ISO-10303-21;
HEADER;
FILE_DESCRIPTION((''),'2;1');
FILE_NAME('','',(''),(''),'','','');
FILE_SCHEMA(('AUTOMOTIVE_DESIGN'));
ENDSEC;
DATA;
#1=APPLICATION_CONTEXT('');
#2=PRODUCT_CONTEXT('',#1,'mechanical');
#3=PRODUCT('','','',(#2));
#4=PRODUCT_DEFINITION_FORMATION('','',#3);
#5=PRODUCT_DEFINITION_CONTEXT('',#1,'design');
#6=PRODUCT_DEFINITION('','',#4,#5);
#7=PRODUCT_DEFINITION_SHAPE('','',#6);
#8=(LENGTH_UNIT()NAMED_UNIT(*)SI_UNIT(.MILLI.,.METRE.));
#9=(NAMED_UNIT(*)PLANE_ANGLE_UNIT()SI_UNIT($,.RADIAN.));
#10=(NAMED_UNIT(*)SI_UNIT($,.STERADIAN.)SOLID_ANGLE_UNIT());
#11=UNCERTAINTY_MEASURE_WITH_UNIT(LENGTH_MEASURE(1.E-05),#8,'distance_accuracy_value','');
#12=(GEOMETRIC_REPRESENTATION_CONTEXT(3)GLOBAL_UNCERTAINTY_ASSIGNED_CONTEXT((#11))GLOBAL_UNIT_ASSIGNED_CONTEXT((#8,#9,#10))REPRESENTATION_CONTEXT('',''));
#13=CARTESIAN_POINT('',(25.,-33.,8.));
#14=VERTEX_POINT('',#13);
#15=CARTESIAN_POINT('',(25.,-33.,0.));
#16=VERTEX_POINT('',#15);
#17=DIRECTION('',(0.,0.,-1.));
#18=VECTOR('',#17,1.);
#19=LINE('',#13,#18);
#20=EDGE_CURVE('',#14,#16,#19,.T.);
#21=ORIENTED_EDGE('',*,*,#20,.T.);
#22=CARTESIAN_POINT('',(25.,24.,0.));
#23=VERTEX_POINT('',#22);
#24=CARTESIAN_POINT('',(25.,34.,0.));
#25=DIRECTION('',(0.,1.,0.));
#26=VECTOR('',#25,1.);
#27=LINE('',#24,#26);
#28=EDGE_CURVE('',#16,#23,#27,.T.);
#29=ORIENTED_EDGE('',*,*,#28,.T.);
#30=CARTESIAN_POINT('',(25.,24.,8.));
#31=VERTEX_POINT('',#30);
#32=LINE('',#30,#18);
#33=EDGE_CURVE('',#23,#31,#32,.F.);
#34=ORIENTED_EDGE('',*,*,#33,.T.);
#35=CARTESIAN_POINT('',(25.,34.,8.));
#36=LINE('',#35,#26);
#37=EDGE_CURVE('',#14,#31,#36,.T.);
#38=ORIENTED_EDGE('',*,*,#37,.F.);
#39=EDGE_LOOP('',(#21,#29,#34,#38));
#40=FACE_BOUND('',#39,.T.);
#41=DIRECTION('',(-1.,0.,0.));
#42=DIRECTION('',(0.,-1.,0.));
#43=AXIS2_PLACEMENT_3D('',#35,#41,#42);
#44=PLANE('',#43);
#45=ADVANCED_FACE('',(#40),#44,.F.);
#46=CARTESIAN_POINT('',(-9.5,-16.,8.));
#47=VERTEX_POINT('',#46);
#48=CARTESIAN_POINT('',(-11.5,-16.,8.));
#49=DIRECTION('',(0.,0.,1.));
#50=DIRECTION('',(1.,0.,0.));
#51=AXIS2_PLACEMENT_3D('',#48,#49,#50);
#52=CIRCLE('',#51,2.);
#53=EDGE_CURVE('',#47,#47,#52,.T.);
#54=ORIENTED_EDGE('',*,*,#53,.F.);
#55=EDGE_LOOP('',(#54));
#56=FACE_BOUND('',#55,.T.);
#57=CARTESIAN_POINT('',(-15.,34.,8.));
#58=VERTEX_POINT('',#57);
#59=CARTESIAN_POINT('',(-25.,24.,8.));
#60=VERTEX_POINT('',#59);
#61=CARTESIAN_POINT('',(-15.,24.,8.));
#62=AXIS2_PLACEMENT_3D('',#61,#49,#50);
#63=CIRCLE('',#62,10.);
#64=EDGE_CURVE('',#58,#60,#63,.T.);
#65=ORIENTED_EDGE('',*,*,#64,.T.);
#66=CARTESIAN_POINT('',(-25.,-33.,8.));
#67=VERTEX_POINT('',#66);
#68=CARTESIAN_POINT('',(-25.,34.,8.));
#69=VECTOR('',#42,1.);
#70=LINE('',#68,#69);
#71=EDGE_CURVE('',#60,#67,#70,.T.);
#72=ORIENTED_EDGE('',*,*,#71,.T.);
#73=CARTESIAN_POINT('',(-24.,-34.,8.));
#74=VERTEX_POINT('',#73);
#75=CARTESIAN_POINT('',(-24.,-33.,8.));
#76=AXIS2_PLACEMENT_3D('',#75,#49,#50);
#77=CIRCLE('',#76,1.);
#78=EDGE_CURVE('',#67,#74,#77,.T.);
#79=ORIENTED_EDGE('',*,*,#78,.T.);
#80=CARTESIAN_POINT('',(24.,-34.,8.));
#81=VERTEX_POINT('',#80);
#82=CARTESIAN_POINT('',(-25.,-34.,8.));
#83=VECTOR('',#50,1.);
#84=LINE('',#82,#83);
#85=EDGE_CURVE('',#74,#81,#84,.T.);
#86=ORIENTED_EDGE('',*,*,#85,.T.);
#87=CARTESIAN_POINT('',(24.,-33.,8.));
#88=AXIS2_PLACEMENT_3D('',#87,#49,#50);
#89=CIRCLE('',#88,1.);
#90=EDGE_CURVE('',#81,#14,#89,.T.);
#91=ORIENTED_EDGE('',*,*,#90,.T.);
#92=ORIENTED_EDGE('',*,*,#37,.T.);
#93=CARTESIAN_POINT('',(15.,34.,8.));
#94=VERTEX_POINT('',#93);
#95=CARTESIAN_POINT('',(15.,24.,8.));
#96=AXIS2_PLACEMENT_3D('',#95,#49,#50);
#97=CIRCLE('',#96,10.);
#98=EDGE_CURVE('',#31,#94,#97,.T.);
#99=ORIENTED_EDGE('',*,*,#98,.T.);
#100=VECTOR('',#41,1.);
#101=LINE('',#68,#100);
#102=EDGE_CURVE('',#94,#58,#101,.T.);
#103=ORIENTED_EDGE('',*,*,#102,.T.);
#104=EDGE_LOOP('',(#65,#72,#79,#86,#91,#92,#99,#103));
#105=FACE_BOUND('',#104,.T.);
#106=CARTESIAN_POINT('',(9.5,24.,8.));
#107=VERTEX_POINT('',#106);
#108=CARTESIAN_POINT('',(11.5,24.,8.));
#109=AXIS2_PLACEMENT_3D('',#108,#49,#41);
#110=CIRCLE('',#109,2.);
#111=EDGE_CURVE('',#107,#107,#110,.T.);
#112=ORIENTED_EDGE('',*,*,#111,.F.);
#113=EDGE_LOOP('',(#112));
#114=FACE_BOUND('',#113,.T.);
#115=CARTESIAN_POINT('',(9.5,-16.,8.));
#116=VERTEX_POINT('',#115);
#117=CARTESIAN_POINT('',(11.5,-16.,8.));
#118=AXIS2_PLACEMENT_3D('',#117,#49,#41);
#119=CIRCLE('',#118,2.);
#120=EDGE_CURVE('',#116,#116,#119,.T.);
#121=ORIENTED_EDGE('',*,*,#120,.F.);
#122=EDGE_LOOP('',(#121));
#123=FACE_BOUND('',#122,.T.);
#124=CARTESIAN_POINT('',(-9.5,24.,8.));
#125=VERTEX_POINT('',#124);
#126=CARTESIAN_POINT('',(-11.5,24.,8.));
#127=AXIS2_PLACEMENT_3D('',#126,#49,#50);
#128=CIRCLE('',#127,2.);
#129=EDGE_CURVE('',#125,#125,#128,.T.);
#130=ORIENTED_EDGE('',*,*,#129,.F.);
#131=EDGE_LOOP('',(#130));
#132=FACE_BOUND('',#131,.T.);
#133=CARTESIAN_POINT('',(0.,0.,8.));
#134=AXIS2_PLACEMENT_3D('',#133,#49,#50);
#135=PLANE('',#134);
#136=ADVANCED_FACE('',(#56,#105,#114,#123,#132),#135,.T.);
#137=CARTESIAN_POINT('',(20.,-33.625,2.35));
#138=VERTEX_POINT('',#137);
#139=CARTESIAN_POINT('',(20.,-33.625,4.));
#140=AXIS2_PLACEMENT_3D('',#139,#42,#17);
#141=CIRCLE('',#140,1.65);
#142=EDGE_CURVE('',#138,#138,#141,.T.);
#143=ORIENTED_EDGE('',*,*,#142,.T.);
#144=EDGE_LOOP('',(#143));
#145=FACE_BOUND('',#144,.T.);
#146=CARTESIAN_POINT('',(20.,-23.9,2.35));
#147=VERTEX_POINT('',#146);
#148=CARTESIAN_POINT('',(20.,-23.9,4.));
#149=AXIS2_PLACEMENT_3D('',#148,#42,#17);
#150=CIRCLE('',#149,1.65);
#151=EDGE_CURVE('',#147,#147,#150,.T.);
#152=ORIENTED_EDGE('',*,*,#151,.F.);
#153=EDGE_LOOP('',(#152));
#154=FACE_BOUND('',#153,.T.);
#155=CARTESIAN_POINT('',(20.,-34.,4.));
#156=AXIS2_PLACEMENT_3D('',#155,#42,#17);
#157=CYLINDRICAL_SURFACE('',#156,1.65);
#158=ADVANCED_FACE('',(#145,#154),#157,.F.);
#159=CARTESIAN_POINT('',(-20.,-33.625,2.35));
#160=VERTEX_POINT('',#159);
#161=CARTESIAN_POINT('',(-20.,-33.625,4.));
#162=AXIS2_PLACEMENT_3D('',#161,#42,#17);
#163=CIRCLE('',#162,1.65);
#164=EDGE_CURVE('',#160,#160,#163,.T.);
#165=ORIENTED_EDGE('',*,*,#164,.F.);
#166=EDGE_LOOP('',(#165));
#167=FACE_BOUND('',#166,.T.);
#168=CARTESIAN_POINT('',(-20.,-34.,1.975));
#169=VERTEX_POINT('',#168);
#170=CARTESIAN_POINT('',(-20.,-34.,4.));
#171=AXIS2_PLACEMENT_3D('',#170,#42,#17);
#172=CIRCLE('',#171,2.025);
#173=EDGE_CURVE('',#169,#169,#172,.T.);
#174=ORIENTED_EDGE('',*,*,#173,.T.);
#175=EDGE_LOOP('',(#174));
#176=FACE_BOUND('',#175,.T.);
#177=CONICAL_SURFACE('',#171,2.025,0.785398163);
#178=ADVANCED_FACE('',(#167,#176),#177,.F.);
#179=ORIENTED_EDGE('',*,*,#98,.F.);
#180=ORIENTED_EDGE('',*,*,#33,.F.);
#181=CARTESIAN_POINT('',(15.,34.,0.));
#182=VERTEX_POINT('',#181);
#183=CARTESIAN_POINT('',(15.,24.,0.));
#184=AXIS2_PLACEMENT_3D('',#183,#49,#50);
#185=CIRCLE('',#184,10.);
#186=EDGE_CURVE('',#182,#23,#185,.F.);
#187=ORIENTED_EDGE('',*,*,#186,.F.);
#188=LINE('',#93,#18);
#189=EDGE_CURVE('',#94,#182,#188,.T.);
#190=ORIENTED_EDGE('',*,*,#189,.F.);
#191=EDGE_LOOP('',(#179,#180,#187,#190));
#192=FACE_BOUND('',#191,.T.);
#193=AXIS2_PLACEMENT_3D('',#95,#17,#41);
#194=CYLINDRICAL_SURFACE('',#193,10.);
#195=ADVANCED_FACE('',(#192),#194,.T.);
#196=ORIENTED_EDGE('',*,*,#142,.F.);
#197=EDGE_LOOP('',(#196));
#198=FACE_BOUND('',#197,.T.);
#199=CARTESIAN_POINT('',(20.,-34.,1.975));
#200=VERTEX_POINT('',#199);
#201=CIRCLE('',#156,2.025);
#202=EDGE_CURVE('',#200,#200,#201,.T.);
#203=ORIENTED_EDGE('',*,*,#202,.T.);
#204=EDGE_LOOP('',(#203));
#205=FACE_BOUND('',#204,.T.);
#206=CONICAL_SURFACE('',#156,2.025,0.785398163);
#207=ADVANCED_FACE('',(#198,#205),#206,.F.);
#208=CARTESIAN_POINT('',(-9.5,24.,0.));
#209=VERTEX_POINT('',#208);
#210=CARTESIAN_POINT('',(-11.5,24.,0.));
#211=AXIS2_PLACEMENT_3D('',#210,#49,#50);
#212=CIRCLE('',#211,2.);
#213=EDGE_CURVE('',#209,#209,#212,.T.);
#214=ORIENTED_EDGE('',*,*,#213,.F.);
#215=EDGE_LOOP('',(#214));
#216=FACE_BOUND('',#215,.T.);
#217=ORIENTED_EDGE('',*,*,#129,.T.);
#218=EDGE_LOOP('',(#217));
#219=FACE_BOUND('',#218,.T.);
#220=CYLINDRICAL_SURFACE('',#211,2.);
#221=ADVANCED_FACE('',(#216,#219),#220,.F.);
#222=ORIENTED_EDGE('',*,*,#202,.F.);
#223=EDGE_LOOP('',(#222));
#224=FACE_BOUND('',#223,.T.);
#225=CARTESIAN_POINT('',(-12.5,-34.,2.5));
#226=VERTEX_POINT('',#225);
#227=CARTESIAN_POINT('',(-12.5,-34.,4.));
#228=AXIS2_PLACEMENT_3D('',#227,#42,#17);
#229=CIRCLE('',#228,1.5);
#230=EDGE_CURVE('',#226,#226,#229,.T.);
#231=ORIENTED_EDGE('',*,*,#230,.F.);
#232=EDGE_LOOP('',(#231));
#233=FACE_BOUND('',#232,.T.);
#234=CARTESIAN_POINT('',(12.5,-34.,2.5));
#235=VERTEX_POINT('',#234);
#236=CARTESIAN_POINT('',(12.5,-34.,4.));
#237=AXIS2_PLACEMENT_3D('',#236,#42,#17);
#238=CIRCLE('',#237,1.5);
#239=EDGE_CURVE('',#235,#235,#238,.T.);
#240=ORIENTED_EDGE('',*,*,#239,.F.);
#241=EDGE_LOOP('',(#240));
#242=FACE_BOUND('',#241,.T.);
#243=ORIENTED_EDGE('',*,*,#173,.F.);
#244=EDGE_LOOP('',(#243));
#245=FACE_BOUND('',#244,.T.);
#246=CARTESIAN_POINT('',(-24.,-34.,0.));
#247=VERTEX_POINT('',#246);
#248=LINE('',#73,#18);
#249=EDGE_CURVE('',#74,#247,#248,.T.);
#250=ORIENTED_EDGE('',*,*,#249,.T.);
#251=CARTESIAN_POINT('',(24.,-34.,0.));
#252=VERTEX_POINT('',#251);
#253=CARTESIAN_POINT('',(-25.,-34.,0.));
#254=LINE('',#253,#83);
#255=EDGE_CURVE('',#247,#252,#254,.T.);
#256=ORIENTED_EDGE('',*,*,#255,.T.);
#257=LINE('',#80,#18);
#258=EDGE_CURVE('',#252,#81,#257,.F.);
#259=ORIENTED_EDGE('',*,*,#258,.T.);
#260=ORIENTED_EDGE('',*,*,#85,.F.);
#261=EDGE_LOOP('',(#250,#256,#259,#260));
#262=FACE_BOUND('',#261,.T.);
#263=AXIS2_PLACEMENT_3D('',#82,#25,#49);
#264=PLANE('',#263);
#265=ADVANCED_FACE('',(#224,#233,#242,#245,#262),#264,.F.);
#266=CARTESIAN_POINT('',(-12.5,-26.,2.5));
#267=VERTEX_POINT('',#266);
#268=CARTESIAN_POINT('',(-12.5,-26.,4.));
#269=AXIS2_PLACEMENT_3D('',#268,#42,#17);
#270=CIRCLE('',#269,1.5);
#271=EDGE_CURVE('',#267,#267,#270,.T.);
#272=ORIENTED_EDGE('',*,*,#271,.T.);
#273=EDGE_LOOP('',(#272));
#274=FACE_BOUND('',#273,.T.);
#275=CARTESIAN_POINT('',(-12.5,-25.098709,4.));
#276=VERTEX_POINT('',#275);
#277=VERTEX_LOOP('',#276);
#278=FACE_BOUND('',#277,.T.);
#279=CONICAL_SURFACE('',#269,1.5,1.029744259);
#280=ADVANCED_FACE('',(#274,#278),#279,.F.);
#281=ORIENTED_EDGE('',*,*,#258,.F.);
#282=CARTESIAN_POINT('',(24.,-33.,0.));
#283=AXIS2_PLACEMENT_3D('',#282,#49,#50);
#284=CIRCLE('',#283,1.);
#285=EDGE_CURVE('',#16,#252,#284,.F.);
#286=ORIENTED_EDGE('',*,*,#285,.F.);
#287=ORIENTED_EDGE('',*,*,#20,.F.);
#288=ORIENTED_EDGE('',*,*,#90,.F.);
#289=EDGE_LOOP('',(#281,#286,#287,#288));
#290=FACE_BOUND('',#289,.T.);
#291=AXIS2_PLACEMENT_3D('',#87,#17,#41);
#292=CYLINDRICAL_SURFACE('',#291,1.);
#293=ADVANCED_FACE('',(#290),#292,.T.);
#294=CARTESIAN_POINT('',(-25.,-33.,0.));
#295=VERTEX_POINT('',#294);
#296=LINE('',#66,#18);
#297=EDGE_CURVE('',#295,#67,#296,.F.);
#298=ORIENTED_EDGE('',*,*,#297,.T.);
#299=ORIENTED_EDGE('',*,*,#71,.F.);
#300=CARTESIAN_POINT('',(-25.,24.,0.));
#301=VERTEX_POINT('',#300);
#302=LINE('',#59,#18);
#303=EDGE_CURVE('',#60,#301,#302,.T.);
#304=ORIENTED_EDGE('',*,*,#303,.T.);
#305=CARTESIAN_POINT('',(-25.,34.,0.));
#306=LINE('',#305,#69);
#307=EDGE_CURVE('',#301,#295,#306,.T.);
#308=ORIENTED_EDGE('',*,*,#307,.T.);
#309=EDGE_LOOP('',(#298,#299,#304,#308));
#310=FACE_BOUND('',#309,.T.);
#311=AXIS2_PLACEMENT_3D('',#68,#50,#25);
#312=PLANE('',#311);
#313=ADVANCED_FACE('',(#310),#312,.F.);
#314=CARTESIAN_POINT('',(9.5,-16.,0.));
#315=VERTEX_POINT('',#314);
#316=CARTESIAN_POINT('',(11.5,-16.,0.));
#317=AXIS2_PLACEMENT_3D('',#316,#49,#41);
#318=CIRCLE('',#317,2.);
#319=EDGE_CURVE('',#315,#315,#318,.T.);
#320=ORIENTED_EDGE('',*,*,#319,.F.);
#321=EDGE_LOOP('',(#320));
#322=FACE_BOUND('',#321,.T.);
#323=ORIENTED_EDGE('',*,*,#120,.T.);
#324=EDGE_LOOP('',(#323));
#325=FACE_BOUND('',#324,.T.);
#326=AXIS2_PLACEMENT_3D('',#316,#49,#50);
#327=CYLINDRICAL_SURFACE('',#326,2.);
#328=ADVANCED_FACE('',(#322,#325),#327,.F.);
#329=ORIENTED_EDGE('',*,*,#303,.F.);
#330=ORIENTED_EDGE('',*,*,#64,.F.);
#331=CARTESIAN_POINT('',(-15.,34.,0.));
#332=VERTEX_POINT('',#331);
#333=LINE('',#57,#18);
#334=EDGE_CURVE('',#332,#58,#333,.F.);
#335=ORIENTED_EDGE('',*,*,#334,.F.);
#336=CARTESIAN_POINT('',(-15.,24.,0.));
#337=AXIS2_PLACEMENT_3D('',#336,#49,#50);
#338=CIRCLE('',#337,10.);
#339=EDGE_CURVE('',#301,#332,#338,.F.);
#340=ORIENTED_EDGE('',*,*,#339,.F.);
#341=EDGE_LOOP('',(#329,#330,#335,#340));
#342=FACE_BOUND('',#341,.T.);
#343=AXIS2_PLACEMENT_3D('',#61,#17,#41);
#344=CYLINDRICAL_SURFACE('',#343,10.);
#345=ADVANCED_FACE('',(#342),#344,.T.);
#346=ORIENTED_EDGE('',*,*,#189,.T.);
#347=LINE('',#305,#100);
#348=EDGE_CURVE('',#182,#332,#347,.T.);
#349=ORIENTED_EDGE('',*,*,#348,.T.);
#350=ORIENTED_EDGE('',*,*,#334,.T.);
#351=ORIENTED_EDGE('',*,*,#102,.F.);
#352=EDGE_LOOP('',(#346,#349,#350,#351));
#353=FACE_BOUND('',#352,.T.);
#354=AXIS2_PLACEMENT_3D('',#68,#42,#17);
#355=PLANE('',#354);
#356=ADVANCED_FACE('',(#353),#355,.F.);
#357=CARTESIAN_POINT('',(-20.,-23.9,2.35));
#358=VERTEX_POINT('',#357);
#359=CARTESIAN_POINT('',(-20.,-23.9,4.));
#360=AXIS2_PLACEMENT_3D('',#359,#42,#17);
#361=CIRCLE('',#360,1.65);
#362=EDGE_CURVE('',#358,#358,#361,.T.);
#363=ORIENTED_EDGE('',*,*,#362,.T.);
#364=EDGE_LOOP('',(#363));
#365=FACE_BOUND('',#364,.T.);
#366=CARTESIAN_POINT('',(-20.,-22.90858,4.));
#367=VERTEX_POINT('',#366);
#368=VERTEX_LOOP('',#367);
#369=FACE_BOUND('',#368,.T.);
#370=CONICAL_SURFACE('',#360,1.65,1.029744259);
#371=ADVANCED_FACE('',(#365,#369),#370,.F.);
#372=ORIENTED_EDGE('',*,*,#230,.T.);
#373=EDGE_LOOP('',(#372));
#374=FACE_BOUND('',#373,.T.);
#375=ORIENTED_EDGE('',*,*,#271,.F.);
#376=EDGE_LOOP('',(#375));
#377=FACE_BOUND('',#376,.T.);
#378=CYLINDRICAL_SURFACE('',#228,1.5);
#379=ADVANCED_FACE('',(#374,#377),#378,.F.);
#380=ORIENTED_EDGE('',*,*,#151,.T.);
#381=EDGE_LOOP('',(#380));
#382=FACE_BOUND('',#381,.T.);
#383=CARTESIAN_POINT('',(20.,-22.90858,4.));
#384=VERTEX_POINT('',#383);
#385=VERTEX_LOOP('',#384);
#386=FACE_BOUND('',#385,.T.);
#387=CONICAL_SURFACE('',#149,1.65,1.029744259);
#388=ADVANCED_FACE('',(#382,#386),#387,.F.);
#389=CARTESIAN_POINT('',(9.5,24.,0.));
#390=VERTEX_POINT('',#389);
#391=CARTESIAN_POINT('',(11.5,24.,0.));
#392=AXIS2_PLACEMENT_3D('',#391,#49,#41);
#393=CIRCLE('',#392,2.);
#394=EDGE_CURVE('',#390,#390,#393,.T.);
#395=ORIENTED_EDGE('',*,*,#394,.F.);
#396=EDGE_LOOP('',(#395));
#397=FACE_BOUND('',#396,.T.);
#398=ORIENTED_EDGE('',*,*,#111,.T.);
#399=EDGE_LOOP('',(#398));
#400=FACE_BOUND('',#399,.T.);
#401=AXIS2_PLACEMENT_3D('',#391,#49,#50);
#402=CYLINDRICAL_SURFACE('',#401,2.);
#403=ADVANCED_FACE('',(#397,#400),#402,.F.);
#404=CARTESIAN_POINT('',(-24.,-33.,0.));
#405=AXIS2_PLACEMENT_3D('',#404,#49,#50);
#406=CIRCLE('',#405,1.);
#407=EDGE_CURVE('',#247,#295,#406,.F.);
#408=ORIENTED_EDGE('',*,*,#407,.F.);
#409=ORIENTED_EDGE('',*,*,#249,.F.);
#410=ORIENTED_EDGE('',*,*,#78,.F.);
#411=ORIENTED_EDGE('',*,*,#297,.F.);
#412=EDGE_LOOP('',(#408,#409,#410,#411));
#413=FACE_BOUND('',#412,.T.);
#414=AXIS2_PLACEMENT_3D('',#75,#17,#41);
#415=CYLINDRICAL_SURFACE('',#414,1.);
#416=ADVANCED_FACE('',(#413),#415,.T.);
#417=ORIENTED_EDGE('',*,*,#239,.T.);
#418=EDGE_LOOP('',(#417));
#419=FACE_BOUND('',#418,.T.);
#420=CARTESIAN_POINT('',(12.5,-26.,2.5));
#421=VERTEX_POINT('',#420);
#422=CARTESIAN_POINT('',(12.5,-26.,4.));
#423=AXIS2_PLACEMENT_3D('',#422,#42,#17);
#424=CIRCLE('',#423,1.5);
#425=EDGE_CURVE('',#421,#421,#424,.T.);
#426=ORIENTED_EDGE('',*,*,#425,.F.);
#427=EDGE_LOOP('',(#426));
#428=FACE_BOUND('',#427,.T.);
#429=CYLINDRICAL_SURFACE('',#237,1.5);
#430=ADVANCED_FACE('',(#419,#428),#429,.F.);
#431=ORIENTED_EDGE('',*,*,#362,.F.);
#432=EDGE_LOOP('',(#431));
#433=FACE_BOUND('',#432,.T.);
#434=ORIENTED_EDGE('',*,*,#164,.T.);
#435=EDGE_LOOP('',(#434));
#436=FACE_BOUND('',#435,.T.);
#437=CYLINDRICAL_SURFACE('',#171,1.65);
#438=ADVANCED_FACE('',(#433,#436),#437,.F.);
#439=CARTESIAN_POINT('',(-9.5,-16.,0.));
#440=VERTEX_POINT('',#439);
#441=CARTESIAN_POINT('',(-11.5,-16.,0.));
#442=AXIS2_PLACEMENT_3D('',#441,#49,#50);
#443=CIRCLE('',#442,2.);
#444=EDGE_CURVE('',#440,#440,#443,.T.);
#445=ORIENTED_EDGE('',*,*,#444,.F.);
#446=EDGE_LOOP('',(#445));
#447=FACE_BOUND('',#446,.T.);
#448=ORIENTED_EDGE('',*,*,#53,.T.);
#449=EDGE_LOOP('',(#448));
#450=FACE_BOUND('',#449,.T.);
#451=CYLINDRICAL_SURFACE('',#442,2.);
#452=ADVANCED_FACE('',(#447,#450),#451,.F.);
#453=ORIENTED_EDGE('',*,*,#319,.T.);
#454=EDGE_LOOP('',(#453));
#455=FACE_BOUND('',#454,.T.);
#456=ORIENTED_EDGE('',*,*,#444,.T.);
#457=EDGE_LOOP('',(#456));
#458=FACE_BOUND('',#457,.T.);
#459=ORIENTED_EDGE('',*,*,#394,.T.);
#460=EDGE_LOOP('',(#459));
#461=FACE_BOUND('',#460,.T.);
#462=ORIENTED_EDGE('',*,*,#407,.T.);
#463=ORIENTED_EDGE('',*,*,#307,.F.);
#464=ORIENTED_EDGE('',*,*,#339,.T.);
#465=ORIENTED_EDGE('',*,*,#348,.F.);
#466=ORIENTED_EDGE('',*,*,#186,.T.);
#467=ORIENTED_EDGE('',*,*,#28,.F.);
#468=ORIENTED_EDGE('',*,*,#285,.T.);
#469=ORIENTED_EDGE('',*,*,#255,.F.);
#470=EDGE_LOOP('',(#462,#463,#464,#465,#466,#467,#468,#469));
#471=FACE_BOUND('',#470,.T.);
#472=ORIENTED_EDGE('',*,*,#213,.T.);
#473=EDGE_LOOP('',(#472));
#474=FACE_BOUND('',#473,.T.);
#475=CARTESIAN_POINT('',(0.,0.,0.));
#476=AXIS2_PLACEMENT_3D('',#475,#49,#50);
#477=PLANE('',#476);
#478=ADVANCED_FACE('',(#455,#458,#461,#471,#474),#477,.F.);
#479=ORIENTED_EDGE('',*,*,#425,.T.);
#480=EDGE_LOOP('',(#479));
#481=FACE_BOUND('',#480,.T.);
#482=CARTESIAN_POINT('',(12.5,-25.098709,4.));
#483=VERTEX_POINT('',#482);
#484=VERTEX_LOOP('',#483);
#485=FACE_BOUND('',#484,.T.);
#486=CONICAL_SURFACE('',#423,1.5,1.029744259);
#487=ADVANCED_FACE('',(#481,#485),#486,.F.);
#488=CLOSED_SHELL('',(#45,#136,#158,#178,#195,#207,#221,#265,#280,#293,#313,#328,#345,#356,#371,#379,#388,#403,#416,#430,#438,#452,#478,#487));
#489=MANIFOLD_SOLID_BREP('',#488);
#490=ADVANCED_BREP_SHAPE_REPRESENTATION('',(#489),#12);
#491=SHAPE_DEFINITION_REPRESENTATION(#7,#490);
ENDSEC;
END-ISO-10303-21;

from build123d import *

# Parameters (mm, degrees)
SKETCH_1_W                   = 50
SKETCH_1_H                   = 68
EXTRUDE_1_DEPTH              = 8
SKETCH_2_R                   = 2
CUT_EXTRUDE_1_DEPTH          = 43.95346319
HOLE_WIZARD_M4_1_D           = 3.3
HOLE_WIZARD_M4_1_DEPTH       = 10.1
HOLE_WIZARD_M4_1_CSINK_D     = 4.05
HOLE_WIZARD_M4_1_CSINK_ANGLE = 90
HOLE_WIZARD_M4_1_TIP         = 0.991420021
MM_1_D                       = 3
MM_1_DEPTH                   = 8
MM_1_TIP                     = 0.901290929
FILLET_1_R                   = 10
FILLET_2_R                   = 1


with BuildPart() as part:
    # 草图1 → 凸台-拉伸1 (new body)
    with BuildSketch(Plane.XY):
        Rectangle(SKETCH_1_W, SKETCH_1_H)
    extrude(amount=EXTRUDE_1_DEPTH)

    # 草图2 → 切除-拉伸1 (cut, through all)
    with BuildSketch(Plane.XY.offset(8)):
        with Locations((-11.5, -16)):
            Circle(SKETCH_2_R)
        with Locations((-11.5, 24)):
            Circle(SKETCH_2_R)
        with Locations(Location((11.5, 24, 0), (0, 0, 180))):
            Circle(SKETCH_2_R)
        with Locations(Location((11.5, -16, 0), (0, 0, 180))):
            Circle(SKETCH_2_R)
    extrude(amount=-CUT_EXTRUDE_1_DEPTH, mode=Mode.SUBTRACT)

    # M4 螺纹孔1
    with Locations(Plane(origin=(-20, -34, 4), x_dir=(0, 0, -1), z_dir=(0, -1, 0))):
        with Locations((0, 0), (0, 40)):
            CounterSinkHole(HOLE_WIZARD_M4_1_D / 2, HOLE_WIZARD_M4_1_CSINK_D / 2, depth=HOLE_WIZARD_M4_1_DEPTH, counter_sink_angle=HOLE_WIZARD_M4_1_CSINK_ANGLE)
            with Locations((0, 0, -(HOLE_WIZARD_M4_1_DEPTH + HOLE_WIZARD_M4_1_TIP / 2))):  # 118° drill point
                Cone(0, HOLE_WIZARD_M4_1_D / 2, HOLE_WIZARD_M4_1_TIP, mode=Mode.SUBTRACT)

    # 大小mm 暗销孔1
    with Locations(Plane(origin=(-12.5, -34, 4), x_dir=(0, 0, -1), z_dir=(0, -1, 0))):
        with Locations((0, 0), (0, 25)):
            Hole(MM_1_D / 2, depth=MM_1_DEPTH)
            with Locations((0, 0, -(MM_1_DEPTH + MM_1_TIP / 2))):  # 118° drill point
                Cone(0, MM_1_D / 2, MM_1_TIP, mode=Mode.SUBTRACT)

    # 圆角1
    fillet_1_edges = [part.edges().sort_by_distance(p)[0] for p in [
        (-25, 34, 4),
        (25, 34, 4),
    ]]
    fillet(fillet_1_edges, radius=FILLET_1_R)

    # 圆角2
    fillet_2_edges = [part.edges().sort_by_distance(p)[0] for p in [
        (25, -34, 4),
        (-25, -34, 4),
    ]]
    fillet(fillet_2_edges, radius=FILLET_2_R)


solid = part.part
